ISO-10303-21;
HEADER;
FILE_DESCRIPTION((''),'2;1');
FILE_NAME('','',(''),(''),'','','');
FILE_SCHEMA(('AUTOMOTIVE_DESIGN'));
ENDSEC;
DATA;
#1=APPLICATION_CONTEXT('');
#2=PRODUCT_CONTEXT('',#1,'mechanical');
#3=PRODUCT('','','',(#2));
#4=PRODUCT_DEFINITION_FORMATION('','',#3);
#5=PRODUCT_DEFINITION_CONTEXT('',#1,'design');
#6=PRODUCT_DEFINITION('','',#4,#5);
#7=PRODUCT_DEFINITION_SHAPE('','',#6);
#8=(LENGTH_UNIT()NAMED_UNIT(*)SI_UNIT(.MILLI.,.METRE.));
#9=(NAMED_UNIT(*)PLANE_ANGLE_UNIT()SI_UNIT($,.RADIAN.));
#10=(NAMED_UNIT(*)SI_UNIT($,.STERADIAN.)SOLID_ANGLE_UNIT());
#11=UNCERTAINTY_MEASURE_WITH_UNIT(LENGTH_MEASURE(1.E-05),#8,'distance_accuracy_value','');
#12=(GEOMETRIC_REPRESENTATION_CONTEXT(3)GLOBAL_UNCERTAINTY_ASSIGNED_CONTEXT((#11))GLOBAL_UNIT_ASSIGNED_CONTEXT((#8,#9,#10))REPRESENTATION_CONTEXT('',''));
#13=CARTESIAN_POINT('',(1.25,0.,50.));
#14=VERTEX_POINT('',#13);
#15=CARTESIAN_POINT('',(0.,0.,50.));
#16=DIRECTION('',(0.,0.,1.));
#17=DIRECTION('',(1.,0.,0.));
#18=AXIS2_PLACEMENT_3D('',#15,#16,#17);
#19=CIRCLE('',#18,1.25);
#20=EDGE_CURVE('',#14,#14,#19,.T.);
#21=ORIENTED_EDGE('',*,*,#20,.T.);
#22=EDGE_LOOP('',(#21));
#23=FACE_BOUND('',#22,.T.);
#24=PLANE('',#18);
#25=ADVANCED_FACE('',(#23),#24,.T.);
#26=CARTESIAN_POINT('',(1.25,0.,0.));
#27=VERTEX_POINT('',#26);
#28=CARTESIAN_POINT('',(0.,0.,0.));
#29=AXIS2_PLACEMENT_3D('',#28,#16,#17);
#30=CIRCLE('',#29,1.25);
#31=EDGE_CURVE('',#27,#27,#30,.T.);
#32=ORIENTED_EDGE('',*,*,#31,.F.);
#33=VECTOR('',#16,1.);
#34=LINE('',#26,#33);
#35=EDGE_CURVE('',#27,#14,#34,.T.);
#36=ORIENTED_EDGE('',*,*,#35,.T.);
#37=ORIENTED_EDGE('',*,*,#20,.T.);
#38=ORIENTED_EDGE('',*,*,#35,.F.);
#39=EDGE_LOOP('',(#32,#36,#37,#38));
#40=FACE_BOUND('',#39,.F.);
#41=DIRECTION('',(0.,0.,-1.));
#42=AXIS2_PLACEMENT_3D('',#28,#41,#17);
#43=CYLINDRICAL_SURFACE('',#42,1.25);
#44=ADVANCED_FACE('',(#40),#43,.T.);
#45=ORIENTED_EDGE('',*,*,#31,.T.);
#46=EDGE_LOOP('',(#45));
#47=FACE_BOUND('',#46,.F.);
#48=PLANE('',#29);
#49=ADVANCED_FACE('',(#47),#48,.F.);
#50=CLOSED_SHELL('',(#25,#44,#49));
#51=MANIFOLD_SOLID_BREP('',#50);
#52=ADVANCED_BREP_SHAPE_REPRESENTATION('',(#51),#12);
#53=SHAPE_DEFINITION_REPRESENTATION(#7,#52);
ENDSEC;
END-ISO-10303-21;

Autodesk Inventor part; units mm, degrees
ref_plane "YZ Plane" through (0, 0, 0) normal (1, 0, 0) x (0, 1, 0)
ref_plane "XZ Plane" through (0, 0, 0) normal (0, 1, 0) x (-1, 0, 0)
ref_plane "XY Plane" through (0, 0, 0) normal (0, 0, 1) x (1, 0, 0)
sketch "Skizze1" plane through (0, 0, 0) normal (0, 0, 1) x (1, 0, 0)
  circle A0 centre (0, 0) radius 1.25
  dimension "d0" = 2.5
extrude "Extrusion1" add sketch "Skizze1" along normal blind 50
thread "Gewinde2" size "M2.5x0.45" class "6g" standard "ANSI Metric M Profile" full length
properties part number "Ball-Joint-Rod-small"
